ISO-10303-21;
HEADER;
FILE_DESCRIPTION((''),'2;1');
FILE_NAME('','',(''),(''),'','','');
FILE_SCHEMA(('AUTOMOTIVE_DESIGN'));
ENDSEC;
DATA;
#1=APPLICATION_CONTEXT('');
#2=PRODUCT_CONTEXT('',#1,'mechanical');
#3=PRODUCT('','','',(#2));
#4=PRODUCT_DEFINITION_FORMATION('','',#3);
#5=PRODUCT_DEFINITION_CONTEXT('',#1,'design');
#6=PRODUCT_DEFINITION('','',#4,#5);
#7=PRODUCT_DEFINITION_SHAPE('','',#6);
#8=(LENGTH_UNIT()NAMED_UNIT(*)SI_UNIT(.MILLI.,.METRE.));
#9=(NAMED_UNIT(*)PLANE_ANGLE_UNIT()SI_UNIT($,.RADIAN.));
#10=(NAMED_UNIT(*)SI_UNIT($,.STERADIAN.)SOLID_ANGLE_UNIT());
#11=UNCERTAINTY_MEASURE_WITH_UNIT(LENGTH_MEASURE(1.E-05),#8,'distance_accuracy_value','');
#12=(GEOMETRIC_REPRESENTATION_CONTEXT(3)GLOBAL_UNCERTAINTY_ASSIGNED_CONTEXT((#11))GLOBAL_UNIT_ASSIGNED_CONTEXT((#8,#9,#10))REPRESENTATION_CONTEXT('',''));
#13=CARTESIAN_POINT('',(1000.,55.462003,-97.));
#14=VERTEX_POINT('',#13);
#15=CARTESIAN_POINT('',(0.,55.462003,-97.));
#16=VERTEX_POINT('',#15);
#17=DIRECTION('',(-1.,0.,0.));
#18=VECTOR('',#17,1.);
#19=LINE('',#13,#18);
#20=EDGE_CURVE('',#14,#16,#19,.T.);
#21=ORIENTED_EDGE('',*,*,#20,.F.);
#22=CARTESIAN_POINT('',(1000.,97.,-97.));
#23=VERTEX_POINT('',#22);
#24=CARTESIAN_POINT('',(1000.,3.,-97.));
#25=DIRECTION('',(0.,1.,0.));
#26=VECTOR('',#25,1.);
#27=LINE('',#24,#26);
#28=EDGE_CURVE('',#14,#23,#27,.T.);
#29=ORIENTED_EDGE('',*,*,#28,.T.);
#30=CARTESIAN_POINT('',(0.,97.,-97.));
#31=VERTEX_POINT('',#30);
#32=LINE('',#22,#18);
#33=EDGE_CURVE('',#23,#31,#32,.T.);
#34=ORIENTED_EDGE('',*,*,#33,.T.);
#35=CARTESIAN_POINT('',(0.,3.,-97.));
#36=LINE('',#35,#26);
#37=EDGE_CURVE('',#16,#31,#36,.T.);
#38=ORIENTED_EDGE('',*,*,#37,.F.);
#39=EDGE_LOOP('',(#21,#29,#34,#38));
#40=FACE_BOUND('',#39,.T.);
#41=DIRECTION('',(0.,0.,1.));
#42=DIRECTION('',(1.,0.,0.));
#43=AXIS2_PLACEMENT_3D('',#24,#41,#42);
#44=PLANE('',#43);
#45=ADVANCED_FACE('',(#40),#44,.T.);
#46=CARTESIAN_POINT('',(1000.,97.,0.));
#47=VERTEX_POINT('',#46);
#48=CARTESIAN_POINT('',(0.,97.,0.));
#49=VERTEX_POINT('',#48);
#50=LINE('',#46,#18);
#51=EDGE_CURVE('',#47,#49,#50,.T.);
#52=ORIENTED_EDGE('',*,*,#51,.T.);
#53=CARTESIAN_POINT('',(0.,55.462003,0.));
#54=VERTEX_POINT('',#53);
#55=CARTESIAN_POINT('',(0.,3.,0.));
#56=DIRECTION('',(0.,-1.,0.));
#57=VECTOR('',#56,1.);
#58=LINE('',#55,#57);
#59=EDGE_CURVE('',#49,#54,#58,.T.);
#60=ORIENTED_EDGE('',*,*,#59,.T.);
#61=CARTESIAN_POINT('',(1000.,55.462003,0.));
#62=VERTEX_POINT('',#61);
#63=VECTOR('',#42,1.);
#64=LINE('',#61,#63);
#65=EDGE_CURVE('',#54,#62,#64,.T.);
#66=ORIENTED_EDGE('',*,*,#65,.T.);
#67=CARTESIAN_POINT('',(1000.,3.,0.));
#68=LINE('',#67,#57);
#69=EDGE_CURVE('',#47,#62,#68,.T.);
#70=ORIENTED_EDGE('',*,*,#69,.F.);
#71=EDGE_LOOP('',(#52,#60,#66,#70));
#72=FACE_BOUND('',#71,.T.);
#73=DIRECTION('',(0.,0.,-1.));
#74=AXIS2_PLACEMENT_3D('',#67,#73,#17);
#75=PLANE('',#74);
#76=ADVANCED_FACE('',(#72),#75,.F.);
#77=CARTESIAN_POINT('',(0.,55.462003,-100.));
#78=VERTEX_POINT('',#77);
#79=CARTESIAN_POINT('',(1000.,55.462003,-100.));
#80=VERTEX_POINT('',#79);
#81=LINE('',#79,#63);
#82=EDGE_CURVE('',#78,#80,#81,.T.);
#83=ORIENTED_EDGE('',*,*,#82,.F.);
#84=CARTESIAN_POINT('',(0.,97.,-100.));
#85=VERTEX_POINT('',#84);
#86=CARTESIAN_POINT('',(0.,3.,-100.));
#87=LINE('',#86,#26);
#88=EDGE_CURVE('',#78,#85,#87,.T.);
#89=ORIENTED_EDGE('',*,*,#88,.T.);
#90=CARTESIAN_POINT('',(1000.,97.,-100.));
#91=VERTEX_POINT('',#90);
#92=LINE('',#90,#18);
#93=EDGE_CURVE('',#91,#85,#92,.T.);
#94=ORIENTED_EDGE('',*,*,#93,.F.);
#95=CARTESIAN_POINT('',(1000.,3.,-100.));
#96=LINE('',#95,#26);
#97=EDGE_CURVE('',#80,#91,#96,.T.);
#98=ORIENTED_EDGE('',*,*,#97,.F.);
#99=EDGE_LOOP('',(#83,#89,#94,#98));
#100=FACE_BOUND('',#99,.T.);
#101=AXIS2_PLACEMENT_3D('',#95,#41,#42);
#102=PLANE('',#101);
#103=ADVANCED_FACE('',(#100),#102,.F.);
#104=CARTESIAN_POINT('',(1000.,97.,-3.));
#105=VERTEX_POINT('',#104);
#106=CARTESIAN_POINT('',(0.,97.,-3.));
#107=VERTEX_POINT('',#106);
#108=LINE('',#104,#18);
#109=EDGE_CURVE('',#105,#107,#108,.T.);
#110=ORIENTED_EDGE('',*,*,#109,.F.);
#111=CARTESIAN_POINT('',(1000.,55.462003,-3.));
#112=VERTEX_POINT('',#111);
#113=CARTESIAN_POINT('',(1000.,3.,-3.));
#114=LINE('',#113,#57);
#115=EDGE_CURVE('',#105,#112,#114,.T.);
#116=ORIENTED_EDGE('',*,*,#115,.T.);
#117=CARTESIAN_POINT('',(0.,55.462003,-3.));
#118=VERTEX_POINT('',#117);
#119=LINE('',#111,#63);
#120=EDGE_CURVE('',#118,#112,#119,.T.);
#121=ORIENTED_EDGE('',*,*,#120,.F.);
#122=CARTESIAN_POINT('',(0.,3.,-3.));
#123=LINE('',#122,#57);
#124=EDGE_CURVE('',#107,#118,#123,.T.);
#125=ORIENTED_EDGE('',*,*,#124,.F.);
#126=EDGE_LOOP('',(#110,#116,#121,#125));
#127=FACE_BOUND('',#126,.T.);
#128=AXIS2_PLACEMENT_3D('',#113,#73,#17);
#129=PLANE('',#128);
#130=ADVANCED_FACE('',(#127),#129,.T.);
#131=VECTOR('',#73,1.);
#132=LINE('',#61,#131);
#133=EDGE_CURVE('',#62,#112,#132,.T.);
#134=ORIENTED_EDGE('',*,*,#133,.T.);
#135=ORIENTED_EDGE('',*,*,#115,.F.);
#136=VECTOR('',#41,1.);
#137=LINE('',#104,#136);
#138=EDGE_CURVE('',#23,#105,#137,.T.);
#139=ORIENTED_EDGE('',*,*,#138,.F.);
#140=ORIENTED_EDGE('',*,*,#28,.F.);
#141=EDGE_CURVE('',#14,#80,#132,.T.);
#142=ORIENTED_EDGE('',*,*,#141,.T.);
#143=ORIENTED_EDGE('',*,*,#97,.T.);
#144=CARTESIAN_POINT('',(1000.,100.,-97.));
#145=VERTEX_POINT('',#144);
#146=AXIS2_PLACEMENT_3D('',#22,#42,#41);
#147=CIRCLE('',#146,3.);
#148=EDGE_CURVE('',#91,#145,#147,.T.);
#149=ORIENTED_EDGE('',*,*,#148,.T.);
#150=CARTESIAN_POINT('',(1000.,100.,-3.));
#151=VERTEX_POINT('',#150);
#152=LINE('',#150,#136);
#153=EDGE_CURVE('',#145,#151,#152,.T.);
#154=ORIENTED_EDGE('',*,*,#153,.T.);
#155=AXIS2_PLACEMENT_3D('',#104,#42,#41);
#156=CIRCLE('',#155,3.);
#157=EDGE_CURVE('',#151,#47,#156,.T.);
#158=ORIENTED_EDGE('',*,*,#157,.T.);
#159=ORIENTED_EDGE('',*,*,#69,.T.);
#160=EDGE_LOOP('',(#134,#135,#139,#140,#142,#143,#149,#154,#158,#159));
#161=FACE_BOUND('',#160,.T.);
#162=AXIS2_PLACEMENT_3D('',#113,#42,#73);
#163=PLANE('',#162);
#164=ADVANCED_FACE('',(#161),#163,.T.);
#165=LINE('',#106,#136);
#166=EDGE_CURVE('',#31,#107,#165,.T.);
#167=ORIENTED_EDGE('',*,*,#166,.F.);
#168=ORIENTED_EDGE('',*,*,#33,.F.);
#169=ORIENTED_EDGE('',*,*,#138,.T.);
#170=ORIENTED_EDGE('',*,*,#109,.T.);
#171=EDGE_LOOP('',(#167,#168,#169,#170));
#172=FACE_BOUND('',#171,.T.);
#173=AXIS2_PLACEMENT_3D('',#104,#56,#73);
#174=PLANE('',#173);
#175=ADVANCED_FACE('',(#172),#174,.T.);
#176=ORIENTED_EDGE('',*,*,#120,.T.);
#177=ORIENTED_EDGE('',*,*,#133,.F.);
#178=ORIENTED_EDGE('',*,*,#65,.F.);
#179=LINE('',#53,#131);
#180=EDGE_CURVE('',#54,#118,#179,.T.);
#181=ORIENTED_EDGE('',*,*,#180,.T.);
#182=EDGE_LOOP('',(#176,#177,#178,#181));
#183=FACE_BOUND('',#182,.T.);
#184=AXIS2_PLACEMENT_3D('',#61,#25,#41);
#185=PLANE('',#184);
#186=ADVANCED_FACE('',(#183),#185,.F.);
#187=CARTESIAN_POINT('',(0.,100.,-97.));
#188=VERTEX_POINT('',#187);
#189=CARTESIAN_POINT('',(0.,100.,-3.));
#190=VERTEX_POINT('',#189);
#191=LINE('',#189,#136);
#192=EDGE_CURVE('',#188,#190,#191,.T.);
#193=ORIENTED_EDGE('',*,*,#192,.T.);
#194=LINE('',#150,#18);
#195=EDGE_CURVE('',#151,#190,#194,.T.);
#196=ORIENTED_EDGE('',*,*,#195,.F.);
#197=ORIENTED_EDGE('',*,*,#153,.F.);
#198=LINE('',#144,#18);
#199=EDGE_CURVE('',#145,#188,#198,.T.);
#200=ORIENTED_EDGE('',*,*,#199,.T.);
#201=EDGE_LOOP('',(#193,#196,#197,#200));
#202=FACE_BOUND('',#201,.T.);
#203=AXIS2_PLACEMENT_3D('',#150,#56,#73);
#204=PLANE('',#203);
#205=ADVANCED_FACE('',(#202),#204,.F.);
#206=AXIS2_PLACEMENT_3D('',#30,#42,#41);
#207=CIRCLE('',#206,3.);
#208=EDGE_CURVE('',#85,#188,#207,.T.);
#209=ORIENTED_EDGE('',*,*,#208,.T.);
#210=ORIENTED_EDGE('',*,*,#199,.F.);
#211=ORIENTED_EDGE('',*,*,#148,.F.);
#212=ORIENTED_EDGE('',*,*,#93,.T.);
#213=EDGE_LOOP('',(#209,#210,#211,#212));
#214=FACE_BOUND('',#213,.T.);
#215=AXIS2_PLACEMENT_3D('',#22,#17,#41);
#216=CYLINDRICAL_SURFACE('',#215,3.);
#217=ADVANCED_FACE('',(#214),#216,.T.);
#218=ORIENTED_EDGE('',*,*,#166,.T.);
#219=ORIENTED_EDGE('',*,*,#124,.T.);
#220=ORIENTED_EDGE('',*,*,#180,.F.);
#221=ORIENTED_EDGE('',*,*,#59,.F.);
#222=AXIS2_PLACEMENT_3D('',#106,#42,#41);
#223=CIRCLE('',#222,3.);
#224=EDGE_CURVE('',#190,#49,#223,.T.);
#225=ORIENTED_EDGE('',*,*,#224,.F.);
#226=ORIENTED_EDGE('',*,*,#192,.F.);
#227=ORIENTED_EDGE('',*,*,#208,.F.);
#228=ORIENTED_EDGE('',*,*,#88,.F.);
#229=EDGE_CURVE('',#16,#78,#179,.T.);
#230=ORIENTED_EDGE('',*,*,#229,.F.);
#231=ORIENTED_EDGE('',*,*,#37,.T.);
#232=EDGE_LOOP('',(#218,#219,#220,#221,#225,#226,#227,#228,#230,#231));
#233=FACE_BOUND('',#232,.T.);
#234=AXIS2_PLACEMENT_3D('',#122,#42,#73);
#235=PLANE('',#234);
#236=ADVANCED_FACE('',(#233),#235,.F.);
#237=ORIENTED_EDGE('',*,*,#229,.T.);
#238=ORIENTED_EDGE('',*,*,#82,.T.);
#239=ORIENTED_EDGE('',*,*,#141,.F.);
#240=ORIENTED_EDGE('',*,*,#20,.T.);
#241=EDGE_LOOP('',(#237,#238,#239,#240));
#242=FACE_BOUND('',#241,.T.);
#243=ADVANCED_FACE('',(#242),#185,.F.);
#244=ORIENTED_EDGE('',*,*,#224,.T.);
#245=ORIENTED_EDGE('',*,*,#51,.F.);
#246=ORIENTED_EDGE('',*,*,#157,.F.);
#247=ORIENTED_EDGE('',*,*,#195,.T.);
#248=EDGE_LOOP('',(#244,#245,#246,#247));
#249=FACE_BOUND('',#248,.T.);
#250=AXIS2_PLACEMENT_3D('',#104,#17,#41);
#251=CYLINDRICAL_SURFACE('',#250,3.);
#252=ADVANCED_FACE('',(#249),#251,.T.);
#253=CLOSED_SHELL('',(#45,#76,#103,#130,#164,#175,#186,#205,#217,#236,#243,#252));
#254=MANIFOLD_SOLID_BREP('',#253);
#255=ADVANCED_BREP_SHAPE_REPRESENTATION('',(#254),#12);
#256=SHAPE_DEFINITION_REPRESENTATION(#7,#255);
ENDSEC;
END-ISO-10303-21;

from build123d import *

# Parameters (mm, degrees)
SKETCH_1_W          = 94
SKETCH_1_H          = 94
EXTRUDE_1_DEPTH     = 1000
SKETCH_2_W          = 1000
SKETCH_2_H          = 55.462002837
CUT_EXTRUDE_1_DEPTH = 101


with BuildPart() as part:
    # Эскиз1 → Вытянуть-Тонкостенный1 (new body)
    with BuildSketch(Plane(origin=(0, 0, 0), x_dir=(0, 0, -1), z_dir=(1, 0, 0))):
        with BuildLine():
            Line((0, 97), (0, 3))
            ThreePointArc((0, 3), (0.878679656, 0.878679656), (3, 0))
            Line((3, 0), (97, 0))
            ThreePointArc((97, 0), (99.121320344, 0.878679656), (100, 3))
            Line((100, 3), (100, 97))
            ThreePointArc((100, 97), (99.121320344, 99.121320344), (97, 100))
            Line((97, 100), (3, 100))
            ThreePointArc((3, 100), (0.878679656, 99.121320344), (0, 97))
        make_face()
        with Locations((50, 50)):
            Rectangle(SKETCH_1_W, SKETCH_1_H, mode=Mode.SUBTRACT)
    extrude(amount=EXTRUDE_1_DEPTH)

    # Эскиз2 → Вырез-Вытянуть1 (cut, through all)
    with BuildSketch(Plane(origin=(0, 0, -100), x_dir=(-1, 0, 0), z_dir=(0, 0, -1))):
        with Locations((-500, 27.731001418)):
            Rectangle(SKETCH_2_W, SKETCH_2_H)
    extrude(amount=-CUT_EXTRUDE_1_DEPTH, mode=Mode.SUBTRACT)


solid = part.part
